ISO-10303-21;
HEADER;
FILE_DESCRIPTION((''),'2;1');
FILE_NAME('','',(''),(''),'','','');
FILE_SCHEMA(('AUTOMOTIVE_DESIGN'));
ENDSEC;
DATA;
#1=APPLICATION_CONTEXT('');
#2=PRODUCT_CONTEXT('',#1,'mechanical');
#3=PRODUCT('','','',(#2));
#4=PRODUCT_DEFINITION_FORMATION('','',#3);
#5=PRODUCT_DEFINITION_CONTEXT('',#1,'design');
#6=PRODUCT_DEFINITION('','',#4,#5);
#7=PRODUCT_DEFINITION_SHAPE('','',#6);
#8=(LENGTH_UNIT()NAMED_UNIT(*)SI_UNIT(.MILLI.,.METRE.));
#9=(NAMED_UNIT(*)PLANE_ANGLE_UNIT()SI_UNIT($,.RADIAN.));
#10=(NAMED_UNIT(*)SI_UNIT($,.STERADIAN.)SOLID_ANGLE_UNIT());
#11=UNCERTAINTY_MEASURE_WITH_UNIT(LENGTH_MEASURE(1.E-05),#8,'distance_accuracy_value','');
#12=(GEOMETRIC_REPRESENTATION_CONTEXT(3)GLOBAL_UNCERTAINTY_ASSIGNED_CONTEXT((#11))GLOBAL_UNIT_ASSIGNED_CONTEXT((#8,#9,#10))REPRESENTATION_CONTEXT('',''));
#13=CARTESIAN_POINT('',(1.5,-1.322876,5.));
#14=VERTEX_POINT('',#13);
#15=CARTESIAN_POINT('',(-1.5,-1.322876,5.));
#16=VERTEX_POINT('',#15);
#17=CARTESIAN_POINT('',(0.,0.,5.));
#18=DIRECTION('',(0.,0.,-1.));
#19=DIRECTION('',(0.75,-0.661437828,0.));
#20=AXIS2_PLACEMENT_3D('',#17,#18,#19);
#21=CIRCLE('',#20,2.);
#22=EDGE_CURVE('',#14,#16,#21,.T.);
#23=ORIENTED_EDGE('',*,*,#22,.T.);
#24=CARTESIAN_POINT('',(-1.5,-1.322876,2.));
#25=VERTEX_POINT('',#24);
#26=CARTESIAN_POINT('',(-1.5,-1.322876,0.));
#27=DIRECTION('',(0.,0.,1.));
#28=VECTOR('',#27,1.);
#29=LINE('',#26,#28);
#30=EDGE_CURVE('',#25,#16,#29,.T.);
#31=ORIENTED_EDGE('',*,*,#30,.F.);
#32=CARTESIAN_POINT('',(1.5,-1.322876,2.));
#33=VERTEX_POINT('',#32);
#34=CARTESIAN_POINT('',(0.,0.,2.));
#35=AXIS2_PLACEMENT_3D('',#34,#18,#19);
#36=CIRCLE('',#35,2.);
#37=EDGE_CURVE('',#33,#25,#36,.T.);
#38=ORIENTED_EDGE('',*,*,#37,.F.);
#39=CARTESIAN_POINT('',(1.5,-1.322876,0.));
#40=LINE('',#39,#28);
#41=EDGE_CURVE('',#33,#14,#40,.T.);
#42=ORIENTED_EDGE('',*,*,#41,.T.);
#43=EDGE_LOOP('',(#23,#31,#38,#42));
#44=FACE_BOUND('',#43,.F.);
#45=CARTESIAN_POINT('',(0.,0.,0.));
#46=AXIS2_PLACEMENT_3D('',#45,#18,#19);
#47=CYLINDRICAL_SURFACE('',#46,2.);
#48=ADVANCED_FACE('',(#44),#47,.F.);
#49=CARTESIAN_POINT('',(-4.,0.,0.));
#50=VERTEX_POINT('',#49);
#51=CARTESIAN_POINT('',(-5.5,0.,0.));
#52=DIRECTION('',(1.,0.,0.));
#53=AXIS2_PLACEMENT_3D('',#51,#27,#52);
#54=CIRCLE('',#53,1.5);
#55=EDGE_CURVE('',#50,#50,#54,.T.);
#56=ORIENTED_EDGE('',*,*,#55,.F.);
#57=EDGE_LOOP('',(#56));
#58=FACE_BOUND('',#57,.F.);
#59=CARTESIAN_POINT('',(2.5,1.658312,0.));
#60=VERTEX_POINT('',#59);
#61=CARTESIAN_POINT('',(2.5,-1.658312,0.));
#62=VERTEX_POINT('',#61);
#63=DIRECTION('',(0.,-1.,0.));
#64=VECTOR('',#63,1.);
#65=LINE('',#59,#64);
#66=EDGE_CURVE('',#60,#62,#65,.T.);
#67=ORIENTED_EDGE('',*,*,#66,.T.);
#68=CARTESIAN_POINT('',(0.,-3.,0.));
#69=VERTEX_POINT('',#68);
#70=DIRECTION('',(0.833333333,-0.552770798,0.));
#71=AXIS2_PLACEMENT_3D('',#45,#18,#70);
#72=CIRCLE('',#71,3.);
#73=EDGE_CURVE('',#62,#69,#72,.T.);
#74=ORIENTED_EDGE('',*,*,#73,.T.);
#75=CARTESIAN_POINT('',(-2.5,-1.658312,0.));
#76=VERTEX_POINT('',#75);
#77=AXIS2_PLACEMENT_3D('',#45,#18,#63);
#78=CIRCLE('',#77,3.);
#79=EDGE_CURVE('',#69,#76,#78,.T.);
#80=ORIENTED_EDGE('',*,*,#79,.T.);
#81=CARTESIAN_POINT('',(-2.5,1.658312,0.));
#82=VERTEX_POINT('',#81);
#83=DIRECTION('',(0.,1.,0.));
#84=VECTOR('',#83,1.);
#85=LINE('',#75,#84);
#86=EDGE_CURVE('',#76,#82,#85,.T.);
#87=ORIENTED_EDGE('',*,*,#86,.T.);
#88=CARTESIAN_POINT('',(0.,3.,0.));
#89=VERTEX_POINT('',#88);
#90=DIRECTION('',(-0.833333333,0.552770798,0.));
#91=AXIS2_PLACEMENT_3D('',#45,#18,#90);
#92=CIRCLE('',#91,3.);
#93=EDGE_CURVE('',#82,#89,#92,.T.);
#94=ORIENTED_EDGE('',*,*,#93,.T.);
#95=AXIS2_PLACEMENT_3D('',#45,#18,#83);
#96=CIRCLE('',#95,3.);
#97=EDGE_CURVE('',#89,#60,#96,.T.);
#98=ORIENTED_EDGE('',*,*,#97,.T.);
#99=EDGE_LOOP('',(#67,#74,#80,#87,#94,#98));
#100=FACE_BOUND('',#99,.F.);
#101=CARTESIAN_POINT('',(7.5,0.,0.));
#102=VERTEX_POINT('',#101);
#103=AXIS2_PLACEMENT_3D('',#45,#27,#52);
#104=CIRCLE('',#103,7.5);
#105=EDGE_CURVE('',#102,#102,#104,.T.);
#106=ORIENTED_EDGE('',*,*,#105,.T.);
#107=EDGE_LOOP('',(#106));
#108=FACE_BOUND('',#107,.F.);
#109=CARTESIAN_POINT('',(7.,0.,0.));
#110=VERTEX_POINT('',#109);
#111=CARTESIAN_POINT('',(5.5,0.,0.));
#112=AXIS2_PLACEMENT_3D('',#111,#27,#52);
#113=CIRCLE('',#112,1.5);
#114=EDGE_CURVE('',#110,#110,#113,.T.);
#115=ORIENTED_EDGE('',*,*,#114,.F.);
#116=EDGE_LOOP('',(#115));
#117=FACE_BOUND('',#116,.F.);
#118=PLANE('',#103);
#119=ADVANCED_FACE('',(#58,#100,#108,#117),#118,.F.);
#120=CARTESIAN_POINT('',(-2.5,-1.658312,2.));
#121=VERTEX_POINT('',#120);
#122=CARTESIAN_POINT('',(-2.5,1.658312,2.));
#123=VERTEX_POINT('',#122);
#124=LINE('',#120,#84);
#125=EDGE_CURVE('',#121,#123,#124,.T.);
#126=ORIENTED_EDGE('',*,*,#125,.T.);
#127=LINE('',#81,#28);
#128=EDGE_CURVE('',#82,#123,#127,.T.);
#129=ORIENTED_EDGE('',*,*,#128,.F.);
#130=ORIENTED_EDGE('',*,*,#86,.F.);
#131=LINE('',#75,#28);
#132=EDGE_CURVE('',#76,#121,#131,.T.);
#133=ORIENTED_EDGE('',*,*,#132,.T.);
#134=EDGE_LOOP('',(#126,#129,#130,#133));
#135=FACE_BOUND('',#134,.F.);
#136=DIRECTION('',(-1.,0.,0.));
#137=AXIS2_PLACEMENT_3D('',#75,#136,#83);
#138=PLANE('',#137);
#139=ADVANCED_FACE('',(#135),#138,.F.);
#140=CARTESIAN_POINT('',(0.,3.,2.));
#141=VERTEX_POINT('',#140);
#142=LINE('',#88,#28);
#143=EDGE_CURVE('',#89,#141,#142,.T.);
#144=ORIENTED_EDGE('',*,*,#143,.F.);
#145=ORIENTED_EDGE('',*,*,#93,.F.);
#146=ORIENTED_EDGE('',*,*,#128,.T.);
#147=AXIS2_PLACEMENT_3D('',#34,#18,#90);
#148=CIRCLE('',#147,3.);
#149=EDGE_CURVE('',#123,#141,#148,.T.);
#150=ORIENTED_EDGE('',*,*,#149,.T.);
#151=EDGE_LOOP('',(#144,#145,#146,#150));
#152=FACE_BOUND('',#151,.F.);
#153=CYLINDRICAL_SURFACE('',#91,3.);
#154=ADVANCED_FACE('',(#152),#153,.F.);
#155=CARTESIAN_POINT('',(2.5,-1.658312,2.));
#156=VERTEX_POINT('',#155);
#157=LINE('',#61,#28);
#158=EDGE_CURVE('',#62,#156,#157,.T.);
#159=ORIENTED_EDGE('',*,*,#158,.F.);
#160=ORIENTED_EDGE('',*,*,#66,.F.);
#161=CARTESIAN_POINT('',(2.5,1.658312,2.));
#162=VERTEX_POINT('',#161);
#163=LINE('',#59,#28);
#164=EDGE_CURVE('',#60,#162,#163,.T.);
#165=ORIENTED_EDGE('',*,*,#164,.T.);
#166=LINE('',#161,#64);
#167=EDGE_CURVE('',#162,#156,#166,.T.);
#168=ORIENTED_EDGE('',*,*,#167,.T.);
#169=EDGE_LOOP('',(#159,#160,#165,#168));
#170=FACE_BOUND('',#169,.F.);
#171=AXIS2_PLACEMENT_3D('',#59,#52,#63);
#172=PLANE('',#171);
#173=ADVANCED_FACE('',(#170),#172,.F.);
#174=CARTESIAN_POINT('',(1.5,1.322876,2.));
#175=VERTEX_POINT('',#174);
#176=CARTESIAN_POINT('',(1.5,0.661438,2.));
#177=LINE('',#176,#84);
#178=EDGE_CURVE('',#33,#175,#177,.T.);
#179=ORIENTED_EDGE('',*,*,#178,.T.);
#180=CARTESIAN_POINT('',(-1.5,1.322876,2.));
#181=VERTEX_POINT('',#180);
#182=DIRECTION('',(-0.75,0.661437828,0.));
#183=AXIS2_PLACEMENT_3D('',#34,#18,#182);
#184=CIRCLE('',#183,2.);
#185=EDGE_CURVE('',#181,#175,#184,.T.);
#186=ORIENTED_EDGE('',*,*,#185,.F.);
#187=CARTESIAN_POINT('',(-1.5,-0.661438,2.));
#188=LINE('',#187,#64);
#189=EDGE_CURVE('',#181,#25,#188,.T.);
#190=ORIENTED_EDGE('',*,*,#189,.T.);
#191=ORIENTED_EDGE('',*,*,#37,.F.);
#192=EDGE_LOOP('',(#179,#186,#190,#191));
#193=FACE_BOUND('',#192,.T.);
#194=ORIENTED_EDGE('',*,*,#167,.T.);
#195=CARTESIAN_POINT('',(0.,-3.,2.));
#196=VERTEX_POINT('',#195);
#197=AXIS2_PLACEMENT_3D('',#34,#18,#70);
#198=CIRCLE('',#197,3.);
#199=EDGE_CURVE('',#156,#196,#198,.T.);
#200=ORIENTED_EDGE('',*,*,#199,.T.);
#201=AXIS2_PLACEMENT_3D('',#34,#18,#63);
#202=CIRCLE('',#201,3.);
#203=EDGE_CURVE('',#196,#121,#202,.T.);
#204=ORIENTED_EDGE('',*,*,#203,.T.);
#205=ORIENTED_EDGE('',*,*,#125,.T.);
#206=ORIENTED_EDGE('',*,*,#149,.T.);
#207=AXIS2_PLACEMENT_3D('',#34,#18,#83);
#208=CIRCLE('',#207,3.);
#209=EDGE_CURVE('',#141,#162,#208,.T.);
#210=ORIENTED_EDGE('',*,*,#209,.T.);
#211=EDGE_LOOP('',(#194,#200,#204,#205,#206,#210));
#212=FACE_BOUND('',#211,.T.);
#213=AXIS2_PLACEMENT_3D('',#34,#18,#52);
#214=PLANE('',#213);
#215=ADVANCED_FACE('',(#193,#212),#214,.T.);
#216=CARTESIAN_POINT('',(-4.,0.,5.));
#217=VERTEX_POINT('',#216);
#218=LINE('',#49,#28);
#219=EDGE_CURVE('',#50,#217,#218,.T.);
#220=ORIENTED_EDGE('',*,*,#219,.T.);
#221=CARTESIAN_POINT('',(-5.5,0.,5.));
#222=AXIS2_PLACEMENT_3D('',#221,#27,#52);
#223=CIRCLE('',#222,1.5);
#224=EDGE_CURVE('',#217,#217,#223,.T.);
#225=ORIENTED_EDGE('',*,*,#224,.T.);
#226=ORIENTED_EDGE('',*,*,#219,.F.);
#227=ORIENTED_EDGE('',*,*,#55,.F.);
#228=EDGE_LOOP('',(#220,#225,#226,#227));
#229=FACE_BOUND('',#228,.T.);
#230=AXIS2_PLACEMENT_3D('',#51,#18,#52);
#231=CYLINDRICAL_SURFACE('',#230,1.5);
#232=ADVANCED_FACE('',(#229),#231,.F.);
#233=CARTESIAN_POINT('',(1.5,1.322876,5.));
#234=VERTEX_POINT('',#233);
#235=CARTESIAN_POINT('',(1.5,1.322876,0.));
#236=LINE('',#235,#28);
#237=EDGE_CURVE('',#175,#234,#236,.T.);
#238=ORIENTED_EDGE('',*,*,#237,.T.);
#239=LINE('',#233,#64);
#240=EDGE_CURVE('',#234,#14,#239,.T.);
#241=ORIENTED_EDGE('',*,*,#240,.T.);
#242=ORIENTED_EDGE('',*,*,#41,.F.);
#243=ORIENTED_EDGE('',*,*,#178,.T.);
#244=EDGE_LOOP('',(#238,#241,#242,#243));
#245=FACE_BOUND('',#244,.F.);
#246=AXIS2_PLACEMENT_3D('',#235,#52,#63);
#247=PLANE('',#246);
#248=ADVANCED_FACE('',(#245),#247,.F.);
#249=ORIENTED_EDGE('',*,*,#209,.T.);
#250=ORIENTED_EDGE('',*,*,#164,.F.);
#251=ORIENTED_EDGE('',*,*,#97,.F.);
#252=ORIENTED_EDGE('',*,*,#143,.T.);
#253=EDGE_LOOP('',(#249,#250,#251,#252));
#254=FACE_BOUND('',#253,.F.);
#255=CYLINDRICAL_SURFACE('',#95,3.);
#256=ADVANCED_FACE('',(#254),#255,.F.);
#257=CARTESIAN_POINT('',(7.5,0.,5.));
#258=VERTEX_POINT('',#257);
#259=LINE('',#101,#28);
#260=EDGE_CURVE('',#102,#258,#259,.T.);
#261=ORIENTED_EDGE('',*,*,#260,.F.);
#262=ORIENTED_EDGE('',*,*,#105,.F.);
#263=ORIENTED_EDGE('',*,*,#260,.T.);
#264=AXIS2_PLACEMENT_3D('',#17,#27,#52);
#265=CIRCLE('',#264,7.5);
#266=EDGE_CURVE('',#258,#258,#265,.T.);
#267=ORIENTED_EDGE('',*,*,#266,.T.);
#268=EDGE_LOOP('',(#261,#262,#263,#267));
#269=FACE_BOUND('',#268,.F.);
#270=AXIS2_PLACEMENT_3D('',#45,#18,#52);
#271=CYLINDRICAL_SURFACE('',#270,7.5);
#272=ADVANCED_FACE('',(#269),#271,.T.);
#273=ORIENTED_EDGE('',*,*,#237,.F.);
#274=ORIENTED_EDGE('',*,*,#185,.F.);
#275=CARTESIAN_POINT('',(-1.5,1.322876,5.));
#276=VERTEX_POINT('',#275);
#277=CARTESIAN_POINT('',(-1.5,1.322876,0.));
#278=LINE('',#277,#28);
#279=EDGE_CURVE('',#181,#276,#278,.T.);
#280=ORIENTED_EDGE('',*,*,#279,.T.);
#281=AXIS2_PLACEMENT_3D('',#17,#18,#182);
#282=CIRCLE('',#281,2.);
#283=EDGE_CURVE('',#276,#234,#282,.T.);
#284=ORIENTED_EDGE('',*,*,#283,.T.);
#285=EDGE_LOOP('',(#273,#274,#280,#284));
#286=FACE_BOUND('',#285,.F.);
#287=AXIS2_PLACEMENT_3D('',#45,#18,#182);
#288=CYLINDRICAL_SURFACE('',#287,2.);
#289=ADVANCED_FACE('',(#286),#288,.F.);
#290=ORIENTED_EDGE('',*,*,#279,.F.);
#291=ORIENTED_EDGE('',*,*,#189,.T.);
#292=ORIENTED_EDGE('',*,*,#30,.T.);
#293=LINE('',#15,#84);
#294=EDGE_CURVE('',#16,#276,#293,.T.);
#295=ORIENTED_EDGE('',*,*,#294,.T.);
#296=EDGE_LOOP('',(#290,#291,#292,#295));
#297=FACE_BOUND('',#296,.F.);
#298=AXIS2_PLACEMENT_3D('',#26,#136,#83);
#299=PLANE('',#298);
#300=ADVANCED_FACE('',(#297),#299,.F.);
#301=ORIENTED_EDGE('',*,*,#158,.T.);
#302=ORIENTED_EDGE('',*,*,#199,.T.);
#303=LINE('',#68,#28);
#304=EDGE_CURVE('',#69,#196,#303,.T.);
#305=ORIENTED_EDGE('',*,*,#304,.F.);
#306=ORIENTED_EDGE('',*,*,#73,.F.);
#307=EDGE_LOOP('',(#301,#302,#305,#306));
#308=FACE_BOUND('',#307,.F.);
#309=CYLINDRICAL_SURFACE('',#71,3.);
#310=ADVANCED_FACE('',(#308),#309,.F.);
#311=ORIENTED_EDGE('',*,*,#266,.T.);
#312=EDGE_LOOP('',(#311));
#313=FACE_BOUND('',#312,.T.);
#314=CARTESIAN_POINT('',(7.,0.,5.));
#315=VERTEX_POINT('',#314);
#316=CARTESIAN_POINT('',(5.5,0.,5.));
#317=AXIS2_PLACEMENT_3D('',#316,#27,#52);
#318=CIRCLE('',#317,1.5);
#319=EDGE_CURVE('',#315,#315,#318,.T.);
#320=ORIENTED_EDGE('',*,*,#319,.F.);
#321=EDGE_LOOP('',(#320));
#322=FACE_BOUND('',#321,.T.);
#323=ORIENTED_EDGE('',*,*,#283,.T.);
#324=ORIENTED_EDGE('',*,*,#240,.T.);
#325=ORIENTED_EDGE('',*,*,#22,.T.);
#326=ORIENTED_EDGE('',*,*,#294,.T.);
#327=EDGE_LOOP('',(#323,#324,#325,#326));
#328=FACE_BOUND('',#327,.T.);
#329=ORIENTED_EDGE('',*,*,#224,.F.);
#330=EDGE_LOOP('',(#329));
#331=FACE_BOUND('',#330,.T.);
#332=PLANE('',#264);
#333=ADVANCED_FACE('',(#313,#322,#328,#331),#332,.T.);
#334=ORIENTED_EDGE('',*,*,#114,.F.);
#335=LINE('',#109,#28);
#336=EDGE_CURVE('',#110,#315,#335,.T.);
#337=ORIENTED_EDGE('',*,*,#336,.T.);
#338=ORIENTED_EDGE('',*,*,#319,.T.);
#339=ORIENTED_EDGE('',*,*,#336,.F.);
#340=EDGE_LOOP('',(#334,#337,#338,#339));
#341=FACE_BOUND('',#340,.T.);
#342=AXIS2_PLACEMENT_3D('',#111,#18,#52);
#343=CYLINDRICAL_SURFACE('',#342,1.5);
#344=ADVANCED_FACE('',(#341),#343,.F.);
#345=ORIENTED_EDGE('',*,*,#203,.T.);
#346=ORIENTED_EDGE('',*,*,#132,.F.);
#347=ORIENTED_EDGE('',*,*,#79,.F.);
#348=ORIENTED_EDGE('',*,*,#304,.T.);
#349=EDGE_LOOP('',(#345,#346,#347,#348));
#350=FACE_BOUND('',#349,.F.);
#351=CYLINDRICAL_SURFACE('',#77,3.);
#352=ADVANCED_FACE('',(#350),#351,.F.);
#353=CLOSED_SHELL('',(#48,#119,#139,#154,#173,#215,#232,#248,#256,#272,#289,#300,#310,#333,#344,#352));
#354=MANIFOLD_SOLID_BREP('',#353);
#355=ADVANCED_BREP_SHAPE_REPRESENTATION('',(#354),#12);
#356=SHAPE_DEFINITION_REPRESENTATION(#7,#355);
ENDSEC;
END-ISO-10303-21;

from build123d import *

# Parameters (mm, degrees)
F0_R     = 7.5
F0_R_2   = 1.625
F0_R_3   = 1.5
F1_DEPTH = 5
F3_DEPTH = 2


with BuildPart() as f1:
    # F0 (on Top) → F1 (new body)
    with BuildSketch(Plane.XY):
        Circle(F0_R)
        with Locations((0, -5.5)):
            Circle(F0_R_2, mode=Mode.SUBTRACT)
        with Locations((-5.5, 0)):
            Circle(F0_R_3, mode=Mode.SUBTRACT)
        with BuildLine():
            ThreePointArc((1.5, 1.3228756555), (1.8708286934, 0.7071067812), (2, 0))
            ThreePointArc((2, 0), (1.8708286934, -0.7071067812), (1.5, -1.3228756555))
            Line((1.5, -1.3228756555), (1.5, -2.5))
            Line((1.5, -2.5), (-1.5, -2.5))
            Line((-1.5, -2.5), (-1.5, -1.3228756555))
            ThreePointArc((-1.5, -1.3228756555), (-2, 0), (-1.5, 1.3228756555))
            Line((-1.5, 1.3228756555), (-1.5, 2.5))
            Line((-1.5, 2.5), (1.5, 2.5))
            Line((1.5, 2.5), (1.5, 1.3228756555))
        make_face(mode=Mode.SUBTRACT)
        with Locations((5.5, 0)):
            Circle(F0_R_3, mode=Mode.SUBTRACT)
        with Locations((0, 5.5)):
            Circle(F0_R_2, mode=Mode.SUBTRACT)
        with BuildLine():
            ThreePointArc((-1.5, 1.3228756555), (0, 2), (1.5, 1.3228756555))
            Line((1.5, 1.3228756555), (1.5, 2.5))
            Line((1.5, 2.5), (-1.5, 2.5))
            Line((-1.5, 2.5), (-1.5, 1.3228756555))
        make_face()
        with BuildLine():
            Line((1.5, -2.5), (1.5, -1.3228756555))
            ThreePointArc((1.5, -1.3228756555), (0, -2), (-1.5, -1.3228756555))
            Line((-1.5, -1.3228756555), (-1.5, -2.5))
            Line((-1.5, -2.5), (1.5, -2.5))
        make_face()
        with BuildLine():
            Line((-1.5, -1.3228756555), (-1.5, 1.3228756555))
            ThreePointArc((-1.5, 1.3228756555), (-2, 0), (-1.5, -1.3228756555))
        make_face()
        with BuildLine():
            ThreePointArc((1.5, -1.3228756555), (1.8708286934, -0.7071067812), (2, 0))
            ThreePointArc((2, 0), (1.8708286934, 0.7071067812), (1.5, 1.3228756555))
            Line((1.5, 1.3228756555), (1.5, -1.3228756555))
        make_face()
        with Locations((0, 5.5)):
            Circle(F0_R_2)
        with Locations((0, -5.5)):
            Circle(F0_R_2)
    extrude(amount=F1_DEPTH)

    # F2 (on face) → F3 (cut)
    with BuildSketch(Plane(origin=(0, 0, 0), x_dir=(1, 0, 0), z_dir=(0, 0, -1))):
        with BuildLine():
            Line((2.5, -1.6583123952), (2.5, 1.6583123952))
            ThreePointArc((2.5, 1.6583123952), (1.4186371655, 2.6433820369), (0, 3))
            ThreePointArc((0, 3), (-1.4186371655, 2.6433820369), (-2.5, 1.6583123952))
            Line((-2.5, 1.6583123952), (-2.5, -1.6583123952))
            ThreePointArc((-2.5, -1.6583123952), (-1.4186371655, -2.6433820369), (0, -3))
            ThreePointArc((0, -3), (1.4186371655, -2.6433820369), (2.5, -1.6583123952))
        make_face()
        with BuildLine():
            ThreePointArc((1.5, -1.3228756555), (0, -2), (-1.5, -1.3228756555))
            Line((-1.5, -1.3228756555), (-1.5, 1.3228756555))
            ThreePointArc((-1.5, 1.3228756555), (0, 2), (1.5, 1.3228756555))
            Line((1.5, 1.3228756555), (1.5, -1.3228756555))
        make_face(mode=Mode.SUBTRACT)
        with BuildLine():
            Line((-1.5, 1.3228756555), (-1.5, -1.3228756555))
            ThreePointArc((-1.5, -1.3228756555), (0, -2), (1.5, -1.3228756555))
            Line((1.5, -1.3228756555), (1.5, 1.3228756555))
            ThreePointArc((1.5, 1.3228756555), (0, 2), (-1.5, 1.3228756555))
        make_face()
    extrude(amount=-F3_DEPTH, mode=Mode.SUBTRACT)


solid = f1.part
